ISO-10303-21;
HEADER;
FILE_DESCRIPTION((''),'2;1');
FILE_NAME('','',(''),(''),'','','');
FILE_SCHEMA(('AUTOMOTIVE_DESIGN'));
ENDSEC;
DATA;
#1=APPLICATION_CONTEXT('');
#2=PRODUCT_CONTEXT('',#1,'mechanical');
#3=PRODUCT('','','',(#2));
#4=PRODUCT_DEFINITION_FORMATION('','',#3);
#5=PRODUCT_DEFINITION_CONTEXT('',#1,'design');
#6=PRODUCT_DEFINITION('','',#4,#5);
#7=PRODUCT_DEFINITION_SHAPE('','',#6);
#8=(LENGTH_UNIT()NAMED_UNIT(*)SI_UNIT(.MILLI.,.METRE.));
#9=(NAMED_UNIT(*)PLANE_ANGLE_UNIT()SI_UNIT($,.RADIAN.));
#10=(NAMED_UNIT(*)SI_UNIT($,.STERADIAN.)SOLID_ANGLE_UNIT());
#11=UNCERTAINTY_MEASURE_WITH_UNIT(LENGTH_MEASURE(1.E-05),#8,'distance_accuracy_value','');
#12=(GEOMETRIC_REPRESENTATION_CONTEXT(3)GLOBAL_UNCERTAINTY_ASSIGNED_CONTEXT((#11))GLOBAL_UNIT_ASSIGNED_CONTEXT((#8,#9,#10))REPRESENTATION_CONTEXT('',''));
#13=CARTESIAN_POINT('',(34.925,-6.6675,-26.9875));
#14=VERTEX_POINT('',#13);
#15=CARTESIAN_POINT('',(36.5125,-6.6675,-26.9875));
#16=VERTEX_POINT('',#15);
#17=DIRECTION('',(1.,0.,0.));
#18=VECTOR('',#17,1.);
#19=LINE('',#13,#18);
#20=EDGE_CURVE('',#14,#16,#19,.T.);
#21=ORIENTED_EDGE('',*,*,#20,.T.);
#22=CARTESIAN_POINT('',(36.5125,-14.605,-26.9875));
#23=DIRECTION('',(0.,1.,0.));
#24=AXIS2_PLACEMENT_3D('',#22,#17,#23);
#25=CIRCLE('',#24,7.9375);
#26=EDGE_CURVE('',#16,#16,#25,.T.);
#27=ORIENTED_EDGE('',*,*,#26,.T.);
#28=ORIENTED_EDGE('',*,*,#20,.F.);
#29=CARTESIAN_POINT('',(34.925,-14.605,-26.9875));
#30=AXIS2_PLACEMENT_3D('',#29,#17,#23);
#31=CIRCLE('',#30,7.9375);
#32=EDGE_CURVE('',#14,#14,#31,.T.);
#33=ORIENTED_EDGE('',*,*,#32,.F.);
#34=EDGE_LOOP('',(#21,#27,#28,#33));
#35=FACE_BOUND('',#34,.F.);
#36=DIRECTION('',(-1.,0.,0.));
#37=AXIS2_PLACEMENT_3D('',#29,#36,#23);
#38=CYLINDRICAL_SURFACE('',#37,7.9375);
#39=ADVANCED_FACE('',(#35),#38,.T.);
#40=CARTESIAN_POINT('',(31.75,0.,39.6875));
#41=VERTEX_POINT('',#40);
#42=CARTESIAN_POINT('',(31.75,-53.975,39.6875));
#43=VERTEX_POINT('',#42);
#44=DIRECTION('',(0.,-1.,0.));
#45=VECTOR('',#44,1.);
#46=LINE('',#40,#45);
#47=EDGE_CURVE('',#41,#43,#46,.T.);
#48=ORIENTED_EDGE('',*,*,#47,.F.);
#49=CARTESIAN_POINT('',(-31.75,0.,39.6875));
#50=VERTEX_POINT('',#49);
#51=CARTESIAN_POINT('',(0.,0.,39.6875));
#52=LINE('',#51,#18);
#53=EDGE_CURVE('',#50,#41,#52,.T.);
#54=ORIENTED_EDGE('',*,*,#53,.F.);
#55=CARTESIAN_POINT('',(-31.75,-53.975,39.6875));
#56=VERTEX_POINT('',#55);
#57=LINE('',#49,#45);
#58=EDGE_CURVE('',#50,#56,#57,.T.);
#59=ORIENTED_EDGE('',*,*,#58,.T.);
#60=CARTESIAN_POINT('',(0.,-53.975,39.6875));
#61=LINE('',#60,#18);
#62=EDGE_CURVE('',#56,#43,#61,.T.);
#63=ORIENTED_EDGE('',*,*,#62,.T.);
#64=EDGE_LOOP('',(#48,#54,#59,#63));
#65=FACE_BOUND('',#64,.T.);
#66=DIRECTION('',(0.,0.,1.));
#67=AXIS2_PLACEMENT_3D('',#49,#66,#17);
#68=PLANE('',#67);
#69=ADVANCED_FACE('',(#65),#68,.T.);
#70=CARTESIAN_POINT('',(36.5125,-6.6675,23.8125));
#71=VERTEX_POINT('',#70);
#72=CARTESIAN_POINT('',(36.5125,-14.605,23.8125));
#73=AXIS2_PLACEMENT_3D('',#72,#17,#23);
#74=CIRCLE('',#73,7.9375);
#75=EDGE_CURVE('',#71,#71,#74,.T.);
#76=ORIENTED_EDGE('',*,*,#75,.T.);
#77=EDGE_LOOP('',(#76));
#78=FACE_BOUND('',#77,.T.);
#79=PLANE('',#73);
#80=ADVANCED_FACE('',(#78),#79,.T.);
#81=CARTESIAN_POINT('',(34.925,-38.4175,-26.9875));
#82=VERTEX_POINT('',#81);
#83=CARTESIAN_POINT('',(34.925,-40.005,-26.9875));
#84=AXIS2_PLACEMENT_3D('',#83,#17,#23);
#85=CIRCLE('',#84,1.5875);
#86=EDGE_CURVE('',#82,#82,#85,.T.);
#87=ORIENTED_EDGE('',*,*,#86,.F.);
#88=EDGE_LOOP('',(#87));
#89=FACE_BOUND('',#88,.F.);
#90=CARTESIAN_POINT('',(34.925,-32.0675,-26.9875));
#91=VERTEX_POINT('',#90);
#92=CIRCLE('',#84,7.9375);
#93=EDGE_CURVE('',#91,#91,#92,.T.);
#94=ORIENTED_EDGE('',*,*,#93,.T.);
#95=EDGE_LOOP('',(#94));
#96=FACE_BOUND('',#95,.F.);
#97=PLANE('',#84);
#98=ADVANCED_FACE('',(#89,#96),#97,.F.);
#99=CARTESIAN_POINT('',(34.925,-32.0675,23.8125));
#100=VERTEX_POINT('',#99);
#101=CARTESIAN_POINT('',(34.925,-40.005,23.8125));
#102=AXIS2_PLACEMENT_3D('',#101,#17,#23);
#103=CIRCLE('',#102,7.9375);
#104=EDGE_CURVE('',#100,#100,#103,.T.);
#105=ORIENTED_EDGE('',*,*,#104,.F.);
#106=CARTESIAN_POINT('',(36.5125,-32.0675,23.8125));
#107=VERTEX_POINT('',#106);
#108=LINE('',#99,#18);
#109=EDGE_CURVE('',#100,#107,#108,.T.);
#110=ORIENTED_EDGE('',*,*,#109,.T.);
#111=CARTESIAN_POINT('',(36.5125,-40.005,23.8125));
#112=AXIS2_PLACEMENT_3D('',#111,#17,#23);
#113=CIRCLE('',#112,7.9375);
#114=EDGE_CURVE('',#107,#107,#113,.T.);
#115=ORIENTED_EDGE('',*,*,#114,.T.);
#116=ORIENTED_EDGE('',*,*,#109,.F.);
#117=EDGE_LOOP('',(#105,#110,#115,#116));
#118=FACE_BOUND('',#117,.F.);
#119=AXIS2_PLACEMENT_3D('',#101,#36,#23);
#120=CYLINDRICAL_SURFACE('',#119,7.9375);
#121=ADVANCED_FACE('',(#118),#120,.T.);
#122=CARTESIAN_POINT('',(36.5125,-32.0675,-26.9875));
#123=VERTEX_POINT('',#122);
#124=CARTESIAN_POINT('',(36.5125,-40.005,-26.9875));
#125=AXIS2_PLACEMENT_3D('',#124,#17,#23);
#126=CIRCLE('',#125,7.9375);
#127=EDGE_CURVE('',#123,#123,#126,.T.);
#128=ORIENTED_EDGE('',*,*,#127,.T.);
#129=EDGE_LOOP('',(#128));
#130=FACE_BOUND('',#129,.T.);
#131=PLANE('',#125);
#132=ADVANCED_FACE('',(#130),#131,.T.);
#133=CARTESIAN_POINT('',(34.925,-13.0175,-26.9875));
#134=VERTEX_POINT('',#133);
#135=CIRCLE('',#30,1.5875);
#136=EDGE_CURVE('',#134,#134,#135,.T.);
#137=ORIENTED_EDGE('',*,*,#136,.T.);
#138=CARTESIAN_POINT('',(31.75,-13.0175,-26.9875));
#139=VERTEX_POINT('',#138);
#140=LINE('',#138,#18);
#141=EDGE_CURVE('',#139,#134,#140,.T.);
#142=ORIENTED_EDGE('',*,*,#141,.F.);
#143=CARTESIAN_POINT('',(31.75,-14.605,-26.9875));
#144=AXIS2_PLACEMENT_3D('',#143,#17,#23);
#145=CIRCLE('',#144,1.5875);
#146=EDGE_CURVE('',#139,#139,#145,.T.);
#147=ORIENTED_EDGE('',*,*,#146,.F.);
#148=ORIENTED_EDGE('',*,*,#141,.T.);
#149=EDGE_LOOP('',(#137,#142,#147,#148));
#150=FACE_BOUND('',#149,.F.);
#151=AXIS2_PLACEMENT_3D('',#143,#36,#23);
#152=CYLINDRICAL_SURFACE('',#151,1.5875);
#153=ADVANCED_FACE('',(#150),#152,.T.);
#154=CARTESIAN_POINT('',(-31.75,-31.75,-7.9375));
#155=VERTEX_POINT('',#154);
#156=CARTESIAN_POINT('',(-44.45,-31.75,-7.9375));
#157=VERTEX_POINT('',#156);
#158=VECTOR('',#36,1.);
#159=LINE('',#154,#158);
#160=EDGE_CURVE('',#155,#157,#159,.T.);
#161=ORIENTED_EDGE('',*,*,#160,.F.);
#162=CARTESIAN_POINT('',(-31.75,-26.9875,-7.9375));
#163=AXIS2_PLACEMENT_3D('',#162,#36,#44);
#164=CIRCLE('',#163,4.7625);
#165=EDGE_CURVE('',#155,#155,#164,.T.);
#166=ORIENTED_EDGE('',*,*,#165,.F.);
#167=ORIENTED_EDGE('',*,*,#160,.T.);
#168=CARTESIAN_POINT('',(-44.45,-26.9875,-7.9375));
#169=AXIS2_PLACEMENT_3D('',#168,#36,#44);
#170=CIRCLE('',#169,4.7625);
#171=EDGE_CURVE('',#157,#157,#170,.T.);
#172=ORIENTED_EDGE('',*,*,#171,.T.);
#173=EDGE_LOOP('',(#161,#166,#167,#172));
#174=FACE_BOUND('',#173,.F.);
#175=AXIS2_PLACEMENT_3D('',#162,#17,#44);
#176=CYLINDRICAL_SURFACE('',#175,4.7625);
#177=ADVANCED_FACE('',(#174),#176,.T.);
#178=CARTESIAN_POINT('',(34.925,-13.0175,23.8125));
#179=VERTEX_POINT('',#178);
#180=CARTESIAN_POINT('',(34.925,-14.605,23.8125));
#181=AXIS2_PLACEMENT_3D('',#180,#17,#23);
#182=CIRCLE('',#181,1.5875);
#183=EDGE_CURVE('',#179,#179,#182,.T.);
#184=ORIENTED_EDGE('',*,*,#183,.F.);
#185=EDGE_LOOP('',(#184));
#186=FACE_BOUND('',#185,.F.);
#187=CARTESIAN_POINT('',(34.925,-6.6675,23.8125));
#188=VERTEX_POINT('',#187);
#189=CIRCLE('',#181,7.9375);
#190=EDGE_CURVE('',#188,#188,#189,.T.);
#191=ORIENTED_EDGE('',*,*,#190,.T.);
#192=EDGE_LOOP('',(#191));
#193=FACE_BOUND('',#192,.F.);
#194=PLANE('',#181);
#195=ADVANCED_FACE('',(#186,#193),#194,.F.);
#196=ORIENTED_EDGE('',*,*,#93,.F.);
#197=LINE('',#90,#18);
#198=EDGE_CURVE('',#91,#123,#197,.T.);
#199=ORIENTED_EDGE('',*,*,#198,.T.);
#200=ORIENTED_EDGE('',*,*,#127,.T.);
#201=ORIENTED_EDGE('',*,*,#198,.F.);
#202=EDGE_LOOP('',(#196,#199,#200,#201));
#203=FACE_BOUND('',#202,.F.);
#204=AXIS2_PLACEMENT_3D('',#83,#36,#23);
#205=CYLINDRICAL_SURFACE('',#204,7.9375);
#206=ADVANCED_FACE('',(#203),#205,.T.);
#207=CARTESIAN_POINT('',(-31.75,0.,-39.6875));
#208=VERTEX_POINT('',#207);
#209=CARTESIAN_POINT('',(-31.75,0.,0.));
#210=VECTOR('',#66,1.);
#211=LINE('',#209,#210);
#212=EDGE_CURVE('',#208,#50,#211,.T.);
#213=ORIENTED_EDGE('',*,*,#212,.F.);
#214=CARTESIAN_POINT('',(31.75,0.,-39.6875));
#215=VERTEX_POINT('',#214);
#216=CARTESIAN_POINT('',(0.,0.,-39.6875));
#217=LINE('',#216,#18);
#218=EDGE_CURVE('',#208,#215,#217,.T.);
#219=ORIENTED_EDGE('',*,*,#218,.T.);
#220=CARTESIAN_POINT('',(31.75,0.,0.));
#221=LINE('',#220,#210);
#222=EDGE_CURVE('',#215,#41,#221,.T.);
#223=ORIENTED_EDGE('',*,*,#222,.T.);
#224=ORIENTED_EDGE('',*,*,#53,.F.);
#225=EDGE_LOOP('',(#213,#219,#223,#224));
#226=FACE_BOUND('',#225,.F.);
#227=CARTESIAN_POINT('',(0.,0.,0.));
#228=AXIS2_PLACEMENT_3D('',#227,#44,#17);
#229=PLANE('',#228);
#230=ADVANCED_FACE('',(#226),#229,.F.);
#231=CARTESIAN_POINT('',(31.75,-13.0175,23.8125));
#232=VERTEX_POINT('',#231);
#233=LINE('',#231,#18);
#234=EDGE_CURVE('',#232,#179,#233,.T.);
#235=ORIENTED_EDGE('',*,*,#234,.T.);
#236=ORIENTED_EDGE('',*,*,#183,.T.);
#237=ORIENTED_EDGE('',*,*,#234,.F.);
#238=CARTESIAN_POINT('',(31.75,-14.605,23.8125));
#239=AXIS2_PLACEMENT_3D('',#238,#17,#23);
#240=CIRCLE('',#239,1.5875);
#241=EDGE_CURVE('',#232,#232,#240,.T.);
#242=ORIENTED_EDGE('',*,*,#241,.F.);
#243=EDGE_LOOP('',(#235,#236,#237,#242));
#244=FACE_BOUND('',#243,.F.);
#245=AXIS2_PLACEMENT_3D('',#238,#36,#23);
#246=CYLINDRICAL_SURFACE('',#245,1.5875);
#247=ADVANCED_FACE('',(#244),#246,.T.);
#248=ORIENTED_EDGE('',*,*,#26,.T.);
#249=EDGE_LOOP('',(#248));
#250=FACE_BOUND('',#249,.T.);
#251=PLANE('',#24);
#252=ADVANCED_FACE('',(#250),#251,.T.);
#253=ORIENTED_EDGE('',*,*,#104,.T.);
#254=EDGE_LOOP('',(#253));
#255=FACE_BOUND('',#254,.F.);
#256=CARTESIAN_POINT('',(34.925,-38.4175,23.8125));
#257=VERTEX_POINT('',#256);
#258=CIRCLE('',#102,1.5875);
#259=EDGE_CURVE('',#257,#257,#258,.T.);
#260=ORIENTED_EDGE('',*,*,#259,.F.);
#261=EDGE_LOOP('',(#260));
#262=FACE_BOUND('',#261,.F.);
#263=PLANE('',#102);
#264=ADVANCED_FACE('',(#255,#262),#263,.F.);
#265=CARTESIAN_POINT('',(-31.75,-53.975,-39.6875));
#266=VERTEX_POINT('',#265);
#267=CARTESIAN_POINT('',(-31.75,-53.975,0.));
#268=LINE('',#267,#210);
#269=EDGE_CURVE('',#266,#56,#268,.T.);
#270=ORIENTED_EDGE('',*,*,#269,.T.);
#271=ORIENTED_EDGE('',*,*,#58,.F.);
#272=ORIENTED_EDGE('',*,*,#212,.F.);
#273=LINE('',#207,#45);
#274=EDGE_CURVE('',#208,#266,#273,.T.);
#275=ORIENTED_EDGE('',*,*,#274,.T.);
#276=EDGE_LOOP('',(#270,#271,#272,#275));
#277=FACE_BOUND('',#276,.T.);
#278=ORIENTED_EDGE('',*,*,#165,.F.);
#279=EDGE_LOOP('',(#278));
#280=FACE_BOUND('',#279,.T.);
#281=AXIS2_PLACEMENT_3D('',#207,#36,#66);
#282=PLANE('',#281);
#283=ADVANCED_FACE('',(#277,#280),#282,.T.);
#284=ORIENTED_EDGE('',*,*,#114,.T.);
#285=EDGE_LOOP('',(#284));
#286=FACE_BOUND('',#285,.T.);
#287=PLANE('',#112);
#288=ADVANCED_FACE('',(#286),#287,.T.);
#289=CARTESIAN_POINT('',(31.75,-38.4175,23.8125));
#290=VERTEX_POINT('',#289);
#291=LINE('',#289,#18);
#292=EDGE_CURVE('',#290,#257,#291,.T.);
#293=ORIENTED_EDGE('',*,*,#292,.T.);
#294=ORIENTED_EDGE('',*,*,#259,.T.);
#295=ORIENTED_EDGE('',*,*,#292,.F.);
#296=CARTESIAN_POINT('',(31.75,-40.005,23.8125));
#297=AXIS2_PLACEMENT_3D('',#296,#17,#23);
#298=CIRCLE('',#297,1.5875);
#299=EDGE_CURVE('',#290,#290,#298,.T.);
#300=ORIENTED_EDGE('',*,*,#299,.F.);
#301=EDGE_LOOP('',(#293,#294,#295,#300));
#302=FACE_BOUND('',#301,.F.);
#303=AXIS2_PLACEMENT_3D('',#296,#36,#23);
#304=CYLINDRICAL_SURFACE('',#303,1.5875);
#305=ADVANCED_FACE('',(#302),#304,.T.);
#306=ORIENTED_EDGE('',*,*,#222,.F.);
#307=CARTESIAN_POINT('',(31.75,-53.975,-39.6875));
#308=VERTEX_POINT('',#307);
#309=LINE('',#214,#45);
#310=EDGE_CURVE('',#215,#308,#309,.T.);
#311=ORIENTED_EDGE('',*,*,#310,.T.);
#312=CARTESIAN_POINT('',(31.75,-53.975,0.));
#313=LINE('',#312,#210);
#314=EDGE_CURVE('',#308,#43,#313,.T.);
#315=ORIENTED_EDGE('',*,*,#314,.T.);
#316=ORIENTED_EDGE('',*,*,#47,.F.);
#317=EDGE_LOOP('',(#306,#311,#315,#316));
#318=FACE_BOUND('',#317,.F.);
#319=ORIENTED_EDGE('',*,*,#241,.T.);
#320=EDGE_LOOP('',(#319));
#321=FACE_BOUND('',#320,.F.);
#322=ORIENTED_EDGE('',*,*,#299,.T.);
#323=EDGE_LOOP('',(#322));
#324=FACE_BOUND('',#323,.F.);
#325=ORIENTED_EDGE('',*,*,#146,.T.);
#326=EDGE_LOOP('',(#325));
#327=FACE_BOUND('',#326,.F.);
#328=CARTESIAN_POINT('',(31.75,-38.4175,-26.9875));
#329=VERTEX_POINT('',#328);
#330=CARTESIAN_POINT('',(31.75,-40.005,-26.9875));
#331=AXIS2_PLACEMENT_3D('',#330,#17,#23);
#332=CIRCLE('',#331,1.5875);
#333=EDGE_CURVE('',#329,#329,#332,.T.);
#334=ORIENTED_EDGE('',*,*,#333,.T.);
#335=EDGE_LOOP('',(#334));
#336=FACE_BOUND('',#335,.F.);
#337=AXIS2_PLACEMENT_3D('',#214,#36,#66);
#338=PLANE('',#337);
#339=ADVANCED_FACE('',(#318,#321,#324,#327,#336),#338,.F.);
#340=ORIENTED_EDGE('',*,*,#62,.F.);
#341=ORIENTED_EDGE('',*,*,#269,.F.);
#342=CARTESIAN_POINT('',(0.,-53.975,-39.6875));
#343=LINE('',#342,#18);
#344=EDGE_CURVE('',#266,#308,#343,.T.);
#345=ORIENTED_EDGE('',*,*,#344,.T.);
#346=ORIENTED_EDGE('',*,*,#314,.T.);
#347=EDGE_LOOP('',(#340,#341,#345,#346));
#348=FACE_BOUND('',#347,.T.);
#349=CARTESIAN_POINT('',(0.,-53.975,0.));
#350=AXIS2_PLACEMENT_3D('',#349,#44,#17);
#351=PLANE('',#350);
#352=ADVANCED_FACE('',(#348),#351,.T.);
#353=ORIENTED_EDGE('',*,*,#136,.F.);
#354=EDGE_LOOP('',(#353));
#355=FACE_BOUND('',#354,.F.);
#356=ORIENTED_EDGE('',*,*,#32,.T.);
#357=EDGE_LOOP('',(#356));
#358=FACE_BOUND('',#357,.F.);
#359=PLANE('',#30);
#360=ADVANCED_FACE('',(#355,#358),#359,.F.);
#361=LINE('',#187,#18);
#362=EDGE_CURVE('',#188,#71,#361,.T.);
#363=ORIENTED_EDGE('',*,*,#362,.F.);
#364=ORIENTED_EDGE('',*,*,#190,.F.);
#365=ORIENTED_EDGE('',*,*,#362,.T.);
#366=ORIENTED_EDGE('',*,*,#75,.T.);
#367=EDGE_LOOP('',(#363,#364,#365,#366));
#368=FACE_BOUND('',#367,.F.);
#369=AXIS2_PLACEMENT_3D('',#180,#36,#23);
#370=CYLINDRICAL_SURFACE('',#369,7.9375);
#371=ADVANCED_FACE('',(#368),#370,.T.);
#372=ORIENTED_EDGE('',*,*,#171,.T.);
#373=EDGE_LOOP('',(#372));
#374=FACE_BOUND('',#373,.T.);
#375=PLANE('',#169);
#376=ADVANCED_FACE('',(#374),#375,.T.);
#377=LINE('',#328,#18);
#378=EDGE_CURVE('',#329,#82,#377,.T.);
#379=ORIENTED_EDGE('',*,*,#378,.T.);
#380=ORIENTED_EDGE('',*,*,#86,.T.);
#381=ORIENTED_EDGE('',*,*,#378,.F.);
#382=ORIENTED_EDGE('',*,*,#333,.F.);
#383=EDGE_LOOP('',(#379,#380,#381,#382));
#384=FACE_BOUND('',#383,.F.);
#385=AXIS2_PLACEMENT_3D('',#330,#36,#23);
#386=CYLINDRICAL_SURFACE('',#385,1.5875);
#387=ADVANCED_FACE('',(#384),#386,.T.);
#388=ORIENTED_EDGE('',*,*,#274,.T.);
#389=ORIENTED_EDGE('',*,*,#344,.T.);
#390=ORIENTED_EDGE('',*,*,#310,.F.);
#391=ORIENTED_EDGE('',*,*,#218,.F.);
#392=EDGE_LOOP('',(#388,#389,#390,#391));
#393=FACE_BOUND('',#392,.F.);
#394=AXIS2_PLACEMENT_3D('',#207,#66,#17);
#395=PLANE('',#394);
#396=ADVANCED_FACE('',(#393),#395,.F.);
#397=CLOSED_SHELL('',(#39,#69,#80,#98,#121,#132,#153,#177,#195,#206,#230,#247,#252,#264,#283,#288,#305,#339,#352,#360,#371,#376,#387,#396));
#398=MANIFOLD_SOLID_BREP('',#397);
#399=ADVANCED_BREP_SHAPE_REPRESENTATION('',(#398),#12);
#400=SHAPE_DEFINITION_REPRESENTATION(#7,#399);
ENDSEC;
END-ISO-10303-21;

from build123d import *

# Parameters (mm, degrees)
F0_W     = 63.5
F0_H     = 79.375
F1_DEPTH = 53.975
F2_R     = 1.5875
F3_DEPTH = 3.175
F4_R     = 7.9375
F5_DEPTH = 1.5875
F6_R     = 4.7625
F7_DEPTH = 12.7


with BuildPart() as f1:
    # F0 (on Front) → F1 (new body)
    with BuildSketch(Plane.XZ):
        Rectangle(F0_W, F0_H)
    extrude(amount=F1_DEPTH)

    # F2 (on face) → F3 (join)
    with BuildSketch(Plane.YZ.offset(31.75)):
        with Locations((-40.005, 23.8125)):
            Circle(F2_R)
        with Locations((-40.005, -26.9875)):
            Circle(F2_R)
        with Locations((-14.605, 23.8125)):
            Circle(F2_R)
        with Locations((-14.605, -26.9875)):
            Circle(F2_R)
    extrude(amount=F3_DEPTH)

    # F4 (on face) → F5 (join)
    with BuildSketch(Plane.YZ.offset(34.925)):
        with Locations((-40.005, 23.8125)):
            Circle(F4_R)
        with Locations((-14.605, 23.8125)):
            Circle(F4_R)
        with Locations((-40.005, -26.9875)):
            Circle(F4_R)
        with Locations((-14.605, -26.9875)):
            Circle(F4_R)
    extrude(amount=F5_DEPTH)

    # F6 (on face) → F7 (join)
    with BuildSketch(Plane(origin=(-31.75, 0, 0), x_dir=(0, -1, 0), z_dir=(-1, 0, 0))):
        with Locations((26.9875, -7.9375)):
            Circle(F6_R)
    extrude(amount=F7_DEPTH)


solid = f1.part
